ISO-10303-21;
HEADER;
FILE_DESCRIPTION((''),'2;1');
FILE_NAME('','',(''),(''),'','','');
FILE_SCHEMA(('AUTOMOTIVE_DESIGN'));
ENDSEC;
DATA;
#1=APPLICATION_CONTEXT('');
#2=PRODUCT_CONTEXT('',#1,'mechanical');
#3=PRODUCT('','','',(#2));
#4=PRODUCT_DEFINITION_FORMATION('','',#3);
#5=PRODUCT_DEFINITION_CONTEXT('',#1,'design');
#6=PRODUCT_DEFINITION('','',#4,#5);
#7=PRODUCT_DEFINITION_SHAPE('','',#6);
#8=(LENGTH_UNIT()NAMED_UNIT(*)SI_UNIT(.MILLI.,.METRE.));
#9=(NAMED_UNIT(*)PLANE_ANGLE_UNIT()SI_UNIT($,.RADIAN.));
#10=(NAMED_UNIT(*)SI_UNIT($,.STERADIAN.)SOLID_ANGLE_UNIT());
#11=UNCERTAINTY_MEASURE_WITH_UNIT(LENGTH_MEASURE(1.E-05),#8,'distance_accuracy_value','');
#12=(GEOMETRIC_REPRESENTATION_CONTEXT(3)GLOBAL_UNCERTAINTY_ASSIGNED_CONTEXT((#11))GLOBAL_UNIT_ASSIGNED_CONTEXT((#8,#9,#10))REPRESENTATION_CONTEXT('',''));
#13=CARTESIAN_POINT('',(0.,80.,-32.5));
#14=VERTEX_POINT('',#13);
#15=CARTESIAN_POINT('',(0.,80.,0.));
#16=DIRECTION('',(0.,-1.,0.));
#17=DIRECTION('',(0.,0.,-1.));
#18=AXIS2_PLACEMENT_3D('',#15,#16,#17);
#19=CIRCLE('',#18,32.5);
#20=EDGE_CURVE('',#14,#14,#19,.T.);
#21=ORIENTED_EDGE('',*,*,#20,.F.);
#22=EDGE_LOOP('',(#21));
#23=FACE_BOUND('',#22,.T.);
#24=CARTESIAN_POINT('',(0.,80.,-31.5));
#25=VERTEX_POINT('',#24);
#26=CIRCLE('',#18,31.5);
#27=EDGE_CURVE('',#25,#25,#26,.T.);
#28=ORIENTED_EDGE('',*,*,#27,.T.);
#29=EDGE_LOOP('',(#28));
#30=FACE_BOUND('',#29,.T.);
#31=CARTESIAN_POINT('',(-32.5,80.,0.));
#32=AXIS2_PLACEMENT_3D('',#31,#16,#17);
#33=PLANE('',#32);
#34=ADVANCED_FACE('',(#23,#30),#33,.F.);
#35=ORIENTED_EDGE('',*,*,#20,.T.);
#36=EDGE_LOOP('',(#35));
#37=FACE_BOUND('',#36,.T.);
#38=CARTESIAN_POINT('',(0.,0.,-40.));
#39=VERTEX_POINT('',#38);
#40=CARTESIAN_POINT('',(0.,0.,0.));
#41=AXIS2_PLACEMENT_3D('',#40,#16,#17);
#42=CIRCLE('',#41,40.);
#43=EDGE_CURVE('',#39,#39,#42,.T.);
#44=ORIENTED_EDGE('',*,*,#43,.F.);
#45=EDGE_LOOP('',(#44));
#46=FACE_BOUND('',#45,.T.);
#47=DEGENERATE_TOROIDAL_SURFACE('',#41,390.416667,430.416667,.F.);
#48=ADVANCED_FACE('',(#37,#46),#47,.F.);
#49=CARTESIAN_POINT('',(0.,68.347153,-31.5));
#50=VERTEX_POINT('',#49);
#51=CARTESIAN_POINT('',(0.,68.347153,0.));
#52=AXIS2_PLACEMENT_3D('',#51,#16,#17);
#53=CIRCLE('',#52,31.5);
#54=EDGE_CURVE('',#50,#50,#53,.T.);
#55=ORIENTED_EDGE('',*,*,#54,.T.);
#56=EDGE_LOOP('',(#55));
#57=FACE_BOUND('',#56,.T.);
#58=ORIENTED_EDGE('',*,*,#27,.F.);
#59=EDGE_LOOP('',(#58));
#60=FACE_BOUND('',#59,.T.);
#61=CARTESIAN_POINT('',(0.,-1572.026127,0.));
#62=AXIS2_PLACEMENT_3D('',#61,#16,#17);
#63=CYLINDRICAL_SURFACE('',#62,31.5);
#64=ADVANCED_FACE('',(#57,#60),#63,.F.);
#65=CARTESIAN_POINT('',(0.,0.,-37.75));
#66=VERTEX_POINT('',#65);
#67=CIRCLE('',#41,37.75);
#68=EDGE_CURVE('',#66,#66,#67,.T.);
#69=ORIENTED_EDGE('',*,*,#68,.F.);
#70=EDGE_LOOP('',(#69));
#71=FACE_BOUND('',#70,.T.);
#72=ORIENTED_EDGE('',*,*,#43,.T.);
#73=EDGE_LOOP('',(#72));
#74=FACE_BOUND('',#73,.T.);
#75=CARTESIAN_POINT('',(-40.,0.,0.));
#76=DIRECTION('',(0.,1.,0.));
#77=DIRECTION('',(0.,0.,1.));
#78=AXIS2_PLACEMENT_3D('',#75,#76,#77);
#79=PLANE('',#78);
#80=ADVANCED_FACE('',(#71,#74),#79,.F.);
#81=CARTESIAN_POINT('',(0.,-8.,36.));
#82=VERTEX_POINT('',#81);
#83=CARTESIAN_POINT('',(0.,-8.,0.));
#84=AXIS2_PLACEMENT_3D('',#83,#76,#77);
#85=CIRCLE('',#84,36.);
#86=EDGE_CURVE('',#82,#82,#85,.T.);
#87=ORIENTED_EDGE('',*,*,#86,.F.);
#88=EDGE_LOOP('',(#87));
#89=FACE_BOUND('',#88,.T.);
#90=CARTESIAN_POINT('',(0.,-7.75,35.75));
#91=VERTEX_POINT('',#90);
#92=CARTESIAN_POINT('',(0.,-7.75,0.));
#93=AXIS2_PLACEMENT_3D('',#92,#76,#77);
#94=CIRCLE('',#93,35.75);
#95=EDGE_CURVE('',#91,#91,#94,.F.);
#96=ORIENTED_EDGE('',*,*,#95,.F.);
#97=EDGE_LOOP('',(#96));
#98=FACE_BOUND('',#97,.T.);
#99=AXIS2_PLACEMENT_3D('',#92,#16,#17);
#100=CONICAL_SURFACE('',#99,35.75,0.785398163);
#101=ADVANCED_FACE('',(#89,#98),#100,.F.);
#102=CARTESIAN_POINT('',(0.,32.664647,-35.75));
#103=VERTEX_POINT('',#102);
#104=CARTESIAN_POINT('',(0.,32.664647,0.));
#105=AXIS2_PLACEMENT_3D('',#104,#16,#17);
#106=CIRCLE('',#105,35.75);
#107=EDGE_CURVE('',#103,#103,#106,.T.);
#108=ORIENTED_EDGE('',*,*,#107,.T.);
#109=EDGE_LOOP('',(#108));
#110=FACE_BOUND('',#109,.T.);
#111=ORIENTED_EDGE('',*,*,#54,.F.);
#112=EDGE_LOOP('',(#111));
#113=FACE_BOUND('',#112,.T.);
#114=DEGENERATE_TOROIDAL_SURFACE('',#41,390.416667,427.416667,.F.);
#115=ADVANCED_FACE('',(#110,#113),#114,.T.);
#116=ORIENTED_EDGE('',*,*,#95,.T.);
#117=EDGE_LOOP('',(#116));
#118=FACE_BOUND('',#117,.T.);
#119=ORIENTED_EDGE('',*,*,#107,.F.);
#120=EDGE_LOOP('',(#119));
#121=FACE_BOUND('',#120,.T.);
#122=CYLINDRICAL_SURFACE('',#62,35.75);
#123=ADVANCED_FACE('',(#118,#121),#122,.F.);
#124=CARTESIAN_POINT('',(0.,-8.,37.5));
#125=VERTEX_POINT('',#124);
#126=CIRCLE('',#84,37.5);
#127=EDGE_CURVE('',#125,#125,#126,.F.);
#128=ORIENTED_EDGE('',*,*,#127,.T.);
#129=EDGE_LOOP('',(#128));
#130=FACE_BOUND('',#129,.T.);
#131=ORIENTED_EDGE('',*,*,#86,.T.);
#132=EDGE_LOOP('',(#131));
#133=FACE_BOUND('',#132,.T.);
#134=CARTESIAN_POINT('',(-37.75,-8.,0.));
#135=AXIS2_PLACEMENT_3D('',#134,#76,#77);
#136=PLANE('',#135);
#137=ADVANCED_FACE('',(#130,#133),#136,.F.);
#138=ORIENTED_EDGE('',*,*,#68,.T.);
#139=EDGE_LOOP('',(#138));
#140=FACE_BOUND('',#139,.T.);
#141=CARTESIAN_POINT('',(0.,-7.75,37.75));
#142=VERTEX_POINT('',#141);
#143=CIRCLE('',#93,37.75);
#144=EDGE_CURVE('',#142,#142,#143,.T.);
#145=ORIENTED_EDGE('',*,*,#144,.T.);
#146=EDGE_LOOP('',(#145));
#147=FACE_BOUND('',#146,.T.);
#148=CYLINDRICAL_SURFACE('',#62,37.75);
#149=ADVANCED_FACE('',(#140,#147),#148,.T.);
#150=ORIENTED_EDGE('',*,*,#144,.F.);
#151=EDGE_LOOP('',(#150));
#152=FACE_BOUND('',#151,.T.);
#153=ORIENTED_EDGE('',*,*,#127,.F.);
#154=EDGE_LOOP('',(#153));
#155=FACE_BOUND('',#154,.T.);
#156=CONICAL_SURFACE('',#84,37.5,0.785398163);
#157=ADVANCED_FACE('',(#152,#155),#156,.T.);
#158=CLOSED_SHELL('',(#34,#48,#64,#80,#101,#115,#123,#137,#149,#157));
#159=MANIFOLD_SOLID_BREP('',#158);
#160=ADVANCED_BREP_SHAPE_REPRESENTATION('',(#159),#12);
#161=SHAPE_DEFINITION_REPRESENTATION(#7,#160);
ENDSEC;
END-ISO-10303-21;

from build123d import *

# Parameters (mm, degrees)
CHAMFER1_SIZE = 0.25


with BuildPart() as part:
    # Sketch1 → Revolve1 (revolve)
    with BuildSketch(Plane.XY, mode=Mode.PRIVATE) as revolve1_sk:
        with BuildLine():
            Line((-32.5, 80), (-31.5, 80))
            Line((-31.5, 80), (-31.5, 68.347153074))
            ThreePointArc((-31.5, 68.347153074), (-34.000163087, 50.550584229), (-35.75, 32.664647046))
            Line((-35.75, 32.664647046), (-35.75, -8))
            Line((-35.75, -8), (-37.75, -8))
            Line((-37.75, -8), (-37.75, 0))
            Line((-37.75, 0), (-40, 0))
            ThreePointArc((-40, 0), (-38.120898133, 40.1753967), (-32.5, 80))
        make_face()
    revolve(revolve1_sk.sketch.rotate(Axis((0, -1572.02612714, 0), (0, 1, 0)), 270), axis=Axis((0, -1572.02612714, 0), (0, 1, 0)))

    # Chamfer1
    chamfer1_edges = [part.edges().sort_by_distance(p)[0] for p in [
        (0, -8, 35.75),
        (0, -8, 37.75),
    ]]
    chamfer(chamfer1_edges, length=CHAMFER1_SIZE)


solid = part.part
